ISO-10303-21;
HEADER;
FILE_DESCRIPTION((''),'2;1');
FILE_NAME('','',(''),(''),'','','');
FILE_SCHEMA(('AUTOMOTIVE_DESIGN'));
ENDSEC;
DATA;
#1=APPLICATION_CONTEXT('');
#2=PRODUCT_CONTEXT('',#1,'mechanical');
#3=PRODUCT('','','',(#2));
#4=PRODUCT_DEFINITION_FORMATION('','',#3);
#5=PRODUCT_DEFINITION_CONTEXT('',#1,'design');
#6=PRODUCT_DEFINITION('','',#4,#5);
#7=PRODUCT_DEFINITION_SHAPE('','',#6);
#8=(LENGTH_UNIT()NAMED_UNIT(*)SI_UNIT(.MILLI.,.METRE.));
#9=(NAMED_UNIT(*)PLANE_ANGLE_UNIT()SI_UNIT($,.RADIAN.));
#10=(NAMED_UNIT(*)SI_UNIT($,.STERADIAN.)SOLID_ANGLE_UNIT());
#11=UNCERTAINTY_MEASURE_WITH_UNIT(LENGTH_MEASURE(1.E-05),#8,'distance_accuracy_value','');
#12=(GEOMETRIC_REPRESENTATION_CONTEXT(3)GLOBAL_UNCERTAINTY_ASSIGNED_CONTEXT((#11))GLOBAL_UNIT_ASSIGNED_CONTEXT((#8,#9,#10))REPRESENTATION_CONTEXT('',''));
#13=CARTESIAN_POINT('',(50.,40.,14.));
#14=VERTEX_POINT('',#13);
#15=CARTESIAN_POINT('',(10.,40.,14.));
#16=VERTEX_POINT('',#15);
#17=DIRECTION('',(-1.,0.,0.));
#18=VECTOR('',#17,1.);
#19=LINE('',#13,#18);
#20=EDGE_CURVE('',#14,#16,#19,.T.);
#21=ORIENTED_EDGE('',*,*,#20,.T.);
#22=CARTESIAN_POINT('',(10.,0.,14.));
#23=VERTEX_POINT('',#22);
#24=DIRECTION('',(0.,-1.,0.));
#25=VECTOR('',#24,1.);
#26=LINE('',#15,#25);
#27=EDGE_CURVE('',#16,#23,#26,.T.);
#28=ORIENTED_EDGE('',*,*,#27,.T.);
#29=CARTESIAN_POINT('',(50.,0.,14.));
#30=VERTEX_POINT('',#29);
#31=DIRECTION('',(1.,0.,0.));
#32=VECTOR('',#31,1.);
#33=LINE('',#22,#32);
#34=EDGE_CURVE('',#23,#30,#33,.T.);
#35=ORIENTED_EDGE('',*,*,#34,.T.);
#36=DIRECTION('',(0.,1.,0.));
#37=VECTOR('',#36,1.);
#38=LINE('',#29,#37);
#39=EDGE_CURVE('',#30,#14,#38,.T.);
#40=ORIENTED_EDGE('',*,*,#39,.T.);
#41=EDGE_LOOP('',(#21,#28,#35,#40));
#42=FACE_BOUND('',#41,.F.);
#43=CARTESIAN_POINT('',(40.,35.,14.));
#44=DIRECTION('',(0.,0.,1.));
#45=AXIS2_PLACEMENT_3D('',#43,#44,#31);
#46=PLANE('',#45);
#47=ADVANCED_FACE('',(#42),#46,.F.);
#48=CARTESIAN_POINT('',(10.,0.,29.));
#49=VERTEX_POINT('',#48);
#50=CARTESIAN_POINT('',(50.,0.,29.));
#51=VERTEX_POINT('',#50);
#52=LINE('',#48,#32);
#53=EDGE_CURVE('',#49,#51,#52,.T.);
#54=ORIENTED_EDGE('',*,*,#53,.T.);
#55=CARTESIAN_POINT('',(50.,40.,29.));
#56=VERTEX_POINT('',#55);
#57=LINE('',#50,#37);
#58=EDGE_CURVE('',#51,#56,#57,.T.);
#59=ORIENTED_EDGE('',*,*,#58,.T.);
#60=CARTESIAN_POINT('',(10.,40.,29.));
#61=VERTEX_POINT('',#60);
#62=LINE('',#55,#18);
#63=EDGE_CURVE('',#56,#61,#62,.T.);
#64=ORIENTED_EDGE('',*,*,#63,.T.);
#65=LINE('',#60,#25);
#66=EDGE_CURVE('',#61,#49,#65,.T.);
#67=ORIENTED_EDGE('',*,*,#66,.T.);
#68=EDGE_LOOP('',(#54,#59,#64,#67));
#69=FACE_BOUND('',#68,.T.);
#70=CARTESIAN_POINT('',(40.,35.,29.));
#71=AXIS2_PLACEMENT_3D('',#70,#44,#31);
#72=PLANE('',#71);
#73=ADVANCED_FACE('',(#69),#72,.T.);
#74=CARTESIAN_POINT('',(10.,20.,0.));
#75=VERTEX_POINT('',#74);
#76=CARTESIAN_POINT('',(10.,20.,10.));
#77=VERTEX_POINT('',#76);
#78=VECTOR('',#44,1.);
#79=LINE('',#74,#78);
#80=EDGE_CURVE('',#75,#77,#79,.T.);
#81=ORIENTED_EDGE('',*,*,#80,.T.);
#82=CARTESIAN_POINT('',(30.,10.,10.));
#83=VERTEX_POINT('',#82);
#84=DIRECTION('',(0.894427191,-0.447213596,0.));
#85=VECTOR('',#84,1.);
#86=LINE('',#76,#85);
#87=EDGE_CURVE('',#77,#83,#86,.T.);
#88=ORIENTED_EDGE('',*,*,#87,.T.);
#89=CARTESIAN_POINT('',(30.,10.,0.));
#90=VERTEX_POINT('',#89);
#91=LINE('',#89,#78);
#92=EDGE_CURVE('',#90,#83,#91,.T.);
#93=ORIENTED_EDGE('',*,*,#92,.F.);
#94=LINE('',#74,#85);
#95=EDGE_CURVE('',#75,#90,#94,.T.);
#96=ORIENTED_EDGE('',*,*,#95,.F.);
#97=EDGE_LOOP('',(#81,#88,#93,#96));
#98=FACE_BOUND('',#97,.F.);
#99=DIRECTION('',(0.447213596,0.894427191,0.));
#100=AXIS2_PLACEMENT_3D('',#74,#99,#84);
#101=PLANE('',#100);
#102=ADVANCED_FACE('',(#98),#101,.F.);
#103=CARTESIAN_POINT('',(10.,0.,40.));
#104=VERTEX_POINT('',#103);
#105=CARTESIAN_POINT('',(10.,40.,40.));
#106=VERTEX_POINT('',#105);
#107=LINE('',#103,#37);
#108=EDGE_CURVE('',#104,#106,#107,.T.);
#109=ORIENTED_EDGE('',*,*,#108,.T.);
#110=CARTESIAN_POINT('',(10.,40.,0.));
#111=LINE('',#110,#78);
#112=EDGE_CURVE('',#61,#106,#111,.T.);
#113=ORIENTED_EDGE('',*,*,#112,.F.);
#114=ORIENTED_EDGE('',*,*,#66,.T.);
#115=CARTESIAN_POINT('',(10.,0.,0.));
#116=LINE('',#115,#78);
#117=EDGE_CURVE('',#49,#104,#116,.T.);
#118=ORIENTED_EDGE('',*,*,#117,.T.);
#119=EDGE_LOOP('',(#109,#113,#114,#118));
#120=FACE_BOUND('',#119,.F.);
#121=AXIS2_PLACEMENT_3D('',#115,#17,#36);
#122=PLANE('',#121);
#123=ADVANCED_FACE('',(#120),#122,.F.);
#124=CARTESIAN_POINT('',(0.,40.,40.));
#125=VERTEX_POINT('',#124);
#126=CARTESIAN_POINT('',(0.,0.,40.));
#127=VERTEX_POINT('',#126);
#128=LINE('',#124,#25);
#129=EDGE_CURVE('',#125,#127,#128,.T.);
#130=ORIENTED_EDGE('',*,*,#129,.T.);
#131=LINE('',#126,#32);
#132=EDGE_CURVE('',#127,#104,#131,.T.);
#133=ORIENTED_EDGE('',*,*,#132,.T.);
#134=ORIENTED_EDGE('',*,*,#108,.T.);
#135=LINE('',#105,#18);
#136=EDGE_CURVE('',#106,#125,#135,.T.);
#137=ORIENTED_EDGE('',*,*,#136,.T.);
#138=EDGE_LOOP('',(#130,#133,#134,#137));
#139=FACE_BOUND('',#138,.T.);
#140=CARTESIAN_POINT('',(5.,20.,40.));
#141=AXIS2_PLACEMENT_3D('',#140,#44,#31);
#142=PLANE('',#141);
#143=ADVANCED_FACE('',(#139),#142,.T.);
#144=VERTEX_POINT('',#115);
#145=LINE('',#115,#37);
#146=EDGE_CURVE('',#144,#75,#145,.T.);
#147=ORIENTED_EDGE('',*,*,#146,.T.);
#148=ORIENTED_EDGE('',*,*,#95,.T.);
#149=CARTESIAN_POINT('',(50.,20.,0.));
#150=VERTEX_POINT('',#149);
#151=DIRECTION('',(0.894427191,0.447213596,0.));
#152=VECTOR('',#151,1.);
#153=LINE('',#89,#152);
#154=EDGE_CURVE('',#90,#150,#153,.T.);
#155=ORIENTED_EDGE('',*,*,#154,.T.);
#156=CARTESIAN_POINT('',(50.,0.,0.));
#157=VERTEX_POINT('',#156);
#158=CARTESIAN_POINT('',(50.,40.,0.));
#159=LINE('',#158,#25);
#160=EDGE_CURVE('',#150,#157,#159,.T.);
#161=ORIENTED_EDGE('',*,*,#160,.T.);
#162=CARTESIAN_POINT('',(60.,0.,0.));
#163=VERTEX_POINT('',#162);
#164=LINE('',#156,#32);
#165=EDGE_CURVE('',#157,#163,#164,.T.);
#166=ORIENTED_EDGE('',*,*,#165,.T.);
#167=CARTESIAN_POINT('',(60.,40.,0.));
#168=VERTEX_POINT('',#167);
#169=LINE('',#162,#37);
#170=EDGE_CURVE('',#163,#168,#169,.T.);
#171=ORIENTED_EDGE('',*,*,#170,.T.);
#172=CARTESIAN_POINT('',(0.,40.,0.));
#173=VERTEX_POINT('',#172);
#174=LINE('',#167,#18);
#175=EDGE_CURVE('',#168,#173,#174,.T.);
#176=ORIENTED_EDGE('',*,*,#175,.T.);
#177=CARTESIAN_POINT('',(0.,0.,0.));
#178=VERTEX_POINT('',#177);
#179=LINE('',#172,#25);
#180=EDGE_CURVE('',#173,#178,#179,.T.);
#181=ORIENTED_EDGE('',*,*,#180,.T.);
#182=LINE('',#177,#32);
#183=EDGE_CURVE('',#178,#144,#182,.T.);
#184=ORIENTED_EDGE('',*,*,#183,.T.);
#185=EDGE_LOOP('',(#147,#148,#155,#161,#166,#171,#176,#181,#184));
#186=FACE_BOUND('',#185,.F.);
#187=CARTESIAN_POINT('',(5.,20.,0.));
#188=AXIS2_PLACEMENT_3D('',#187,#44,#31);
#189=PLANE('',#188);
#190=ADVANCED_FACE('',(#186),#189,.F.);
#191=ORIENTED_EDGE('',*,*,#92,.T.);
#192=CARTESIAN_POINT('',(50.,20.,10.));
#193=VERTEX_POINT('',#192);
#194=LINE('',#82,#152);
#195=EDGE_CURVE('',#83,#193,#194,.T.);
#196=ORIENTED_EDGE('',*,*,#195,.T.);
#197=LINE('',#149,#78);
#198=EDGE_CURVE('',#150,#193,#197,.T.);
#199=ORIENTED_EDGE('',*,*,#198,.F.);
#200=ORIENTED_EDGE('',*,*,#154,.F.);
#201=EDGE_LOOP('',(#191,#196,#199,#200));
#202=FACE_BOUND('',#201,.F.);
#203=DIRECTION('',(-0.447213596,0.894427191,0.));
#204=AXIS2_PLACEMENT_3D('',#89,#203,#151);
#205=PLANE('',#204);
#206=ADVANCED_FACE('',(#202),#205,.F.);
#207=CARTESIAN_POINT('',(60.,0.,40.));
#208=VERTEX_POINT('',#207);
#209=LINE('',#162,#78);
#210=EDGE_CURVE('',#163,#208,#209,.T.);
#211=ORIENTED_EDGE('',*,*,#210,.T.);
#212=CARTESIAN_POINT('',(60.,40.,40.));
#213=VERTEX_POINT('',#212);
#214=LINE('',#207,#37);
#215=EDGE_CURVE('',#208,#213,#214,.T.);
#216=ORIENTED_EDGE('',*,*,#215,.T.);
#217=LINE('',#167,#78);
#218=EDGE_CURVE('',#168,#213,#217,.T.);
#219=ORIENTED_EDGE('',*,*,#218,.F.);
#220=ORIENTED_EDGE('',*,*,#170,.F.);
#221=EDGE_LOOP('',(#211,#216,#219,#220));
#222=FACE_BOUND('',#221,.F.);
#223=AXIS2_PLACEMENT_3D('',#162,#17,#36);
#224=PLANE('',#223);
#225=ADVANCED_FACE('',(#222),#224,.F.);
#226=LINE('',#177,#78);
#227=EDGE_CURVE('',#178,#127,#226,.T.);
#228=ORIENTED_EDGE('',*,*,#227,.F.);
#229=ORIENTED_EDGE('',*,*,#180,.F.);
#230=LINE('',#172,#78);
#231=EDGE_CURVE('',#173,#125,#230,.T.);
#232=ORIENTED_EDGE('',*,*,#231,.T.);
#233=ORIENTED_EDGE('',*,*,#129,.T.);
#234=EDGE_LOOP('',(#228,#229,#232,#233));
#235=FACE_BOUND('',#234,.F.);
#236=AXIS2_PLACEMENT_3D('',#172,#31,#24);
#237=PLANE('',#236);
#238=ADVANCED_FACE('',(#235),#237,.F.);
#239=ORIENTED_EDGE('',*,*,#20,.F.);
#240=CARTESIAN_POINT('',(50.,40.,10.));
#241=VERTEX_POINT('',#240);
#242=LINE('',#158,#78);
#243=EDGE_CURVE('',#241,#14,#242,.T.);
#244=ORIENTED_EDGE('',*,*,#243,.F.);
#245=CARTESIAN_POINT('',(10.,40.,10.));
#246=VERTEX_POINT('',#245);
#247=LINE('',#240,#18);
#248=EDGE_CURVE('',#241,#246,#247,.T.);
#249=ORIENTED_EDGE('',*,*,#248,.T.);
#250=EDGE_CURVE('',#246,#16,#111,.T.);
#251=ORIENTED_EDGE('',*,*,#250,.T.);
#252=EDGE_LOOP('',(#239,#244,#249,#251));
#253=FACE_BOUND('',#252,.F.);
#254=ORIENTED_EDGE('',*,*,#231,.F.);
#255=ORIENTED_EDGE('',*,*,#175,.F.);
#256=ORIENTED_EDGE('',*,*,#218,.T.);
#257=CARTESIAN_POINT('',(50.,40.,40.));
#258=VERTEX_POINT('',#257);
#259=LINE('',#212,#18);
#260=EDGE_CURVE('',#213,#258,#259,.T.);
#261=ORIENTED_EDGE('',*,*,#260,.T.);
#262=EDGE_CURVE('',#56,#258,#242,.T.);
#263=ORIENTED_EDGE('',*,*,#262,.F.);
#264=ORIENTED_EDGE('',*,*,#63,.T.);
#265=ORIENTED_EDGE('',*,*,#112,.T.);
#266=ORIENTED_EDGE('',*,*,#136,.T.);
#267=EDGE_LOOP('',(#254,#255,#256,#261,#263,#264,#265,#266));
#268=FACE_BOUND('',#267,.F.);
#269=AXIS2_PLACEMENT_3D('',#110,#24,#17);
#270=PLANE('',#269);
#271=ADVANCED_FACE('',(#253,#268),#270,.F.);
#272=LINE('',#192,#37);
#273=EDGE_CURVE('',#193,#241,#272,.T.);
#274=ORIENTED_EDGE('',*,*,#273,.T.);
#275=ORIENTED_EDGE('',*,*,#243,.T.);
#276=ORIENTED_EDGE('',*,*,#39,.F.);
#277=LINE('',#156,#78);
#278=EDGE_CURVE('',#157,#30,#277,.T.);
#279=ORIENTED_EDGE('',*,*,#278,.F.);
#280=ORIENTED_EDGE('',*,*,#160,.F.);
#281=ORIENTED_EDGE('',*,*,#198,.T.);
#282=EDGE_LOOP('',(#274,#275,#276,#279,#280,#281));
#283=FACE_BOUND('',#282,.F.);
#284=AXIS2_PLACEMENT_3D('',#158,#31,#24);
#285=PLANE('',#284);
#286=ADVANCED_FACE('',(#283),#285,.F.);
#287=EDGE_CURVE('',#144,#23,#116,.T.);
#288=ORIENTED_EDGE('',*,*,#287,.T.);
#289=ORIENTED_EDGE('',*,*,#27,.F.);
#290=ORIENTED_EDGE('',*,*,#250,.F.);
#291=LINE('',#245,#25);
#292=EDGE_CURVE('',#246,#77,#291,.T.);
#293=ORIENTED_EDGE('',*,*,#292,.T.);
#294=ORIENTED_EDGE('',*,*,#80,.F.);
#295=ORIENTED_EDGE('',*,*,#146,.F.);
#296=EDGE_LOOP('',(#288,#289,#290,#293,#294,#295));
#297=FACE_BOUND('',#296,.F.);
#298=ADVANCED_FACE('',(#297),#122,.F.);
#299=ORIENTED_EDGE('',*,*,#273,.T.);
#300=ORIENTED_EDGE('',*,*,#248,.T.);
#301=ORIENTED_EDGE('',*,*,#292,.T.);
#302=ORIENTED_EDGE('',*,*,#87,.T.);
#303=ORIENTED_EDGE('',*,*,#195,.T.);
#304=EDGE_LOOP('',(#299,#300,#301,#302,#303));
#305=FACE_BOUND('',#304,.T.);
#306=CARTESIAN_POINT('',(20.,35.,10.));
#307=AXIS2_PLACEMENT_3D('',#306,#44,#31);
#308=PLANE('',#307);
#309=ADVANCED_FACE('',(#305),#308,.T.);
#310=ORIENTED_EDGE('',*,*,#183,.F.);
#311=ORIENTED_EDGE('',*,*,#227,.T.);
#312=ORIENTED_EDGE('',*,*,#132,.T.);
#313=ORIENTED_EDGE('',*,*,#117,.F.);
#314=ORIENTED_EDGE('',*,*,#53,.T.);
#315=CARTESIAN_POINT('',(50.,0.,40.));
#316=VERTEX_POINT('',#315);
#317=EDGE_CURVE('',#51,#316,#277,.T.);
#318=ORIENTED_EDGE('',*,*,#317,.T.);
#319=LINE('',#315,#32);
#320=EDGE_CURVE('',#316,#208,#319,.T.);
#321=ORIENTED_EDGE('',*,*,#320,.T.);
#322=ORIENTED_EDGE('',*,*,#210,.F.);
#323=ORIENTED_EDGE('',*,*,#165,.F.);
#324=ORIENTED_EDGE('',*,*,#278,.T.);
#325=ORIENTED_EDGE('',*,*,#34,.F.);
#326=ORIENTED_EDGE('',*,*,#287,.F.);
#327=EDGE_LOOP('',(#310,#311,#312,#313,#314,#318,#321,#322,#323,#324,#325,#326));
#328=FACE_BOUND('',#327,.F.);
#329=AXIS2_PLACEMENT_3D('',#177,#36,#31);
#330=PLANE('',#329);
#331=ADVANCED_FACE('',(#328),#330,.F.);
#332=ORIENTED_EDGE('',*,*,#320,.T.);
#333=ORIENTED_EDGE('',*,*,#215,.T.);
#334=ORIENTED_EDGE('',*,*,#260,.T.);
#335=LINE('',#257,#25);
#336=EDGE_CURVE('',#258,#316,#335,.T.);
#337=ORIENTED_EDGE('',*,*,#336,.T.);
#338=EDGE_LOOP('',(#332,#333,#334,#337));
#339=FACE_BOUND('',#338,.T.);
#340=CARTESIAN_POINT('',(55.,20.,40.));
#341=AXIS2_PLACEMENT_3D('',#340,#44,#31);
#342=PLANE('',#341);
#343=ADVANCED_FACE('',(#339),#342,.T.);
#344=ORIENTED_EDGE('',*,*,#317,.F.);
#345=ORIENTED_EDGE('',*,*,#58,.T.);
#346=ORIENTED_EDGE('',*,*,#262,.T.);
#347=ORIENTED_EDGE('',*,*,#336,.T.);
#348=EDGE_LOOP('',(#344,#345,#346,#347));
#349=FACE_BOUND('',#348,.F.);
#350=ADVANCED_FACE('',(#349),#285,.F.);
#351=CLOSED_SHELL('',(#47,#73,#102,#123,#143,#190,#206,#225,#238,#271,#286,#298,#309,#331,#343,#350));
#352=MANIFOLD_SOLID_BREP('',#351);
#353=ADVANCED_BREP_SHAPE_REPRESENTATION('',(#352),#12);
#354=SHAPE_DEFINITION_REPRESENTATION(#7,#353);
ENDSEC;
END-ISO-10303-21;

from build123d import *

# Parameters (mm, degrees)
F0_W     = 20
F0_H     = 10
F1_DEPTH = 10
F2_DEPTH = 40
F3_START = 14
F3_DEPTH = 15


with BuildPart() as f1:
    # F0 (on Top) → F1 (new body)
    with BuildSketch(Plane.XY):
        with Locations((20, 35)):
            Rectangle(F0_W, F0_H)
        with Locations((40, 35)):
            Rectangle(F0_W, F0_H)
        with Locations((40, 25)):
            Rectangle(F0_W, F0_H)
        with Locations((20, 25)):
            Rectangle(F0_W, F0_H)
        Polygon((10, 20), (30, 10), (30, 20), align=None)
        Polygon((30, 20), (30, 10), (50, 20), align=None)
    extrude(amount=F1_DEPTH)

    # F0 (on Top) → F2 (join)
    with BuildSketch(Plane.XY):
        Polygon((0, 40), (0, 0), (10, 0), (10, 10), (10, 20), (10, 30), (10, 40), align=None)
        Polygon((50, 10), (50, 0), (60, 0), (60, 40), (50, 40), (50, 30), (50, 20), align=None)
    extrude(amount=F2_DEPTH)

    # F0 (on Top) → F3 (join)
    with BuildSketch(Plane.XY.offset(F3_START)):
        with Locations((40, 35)):
            Rectangle(F0_W, F0_H)
        with Locations((20, 35)):
            Rectangle(F0_W, F0_H)
        with Locations((20, 25)):
            Rectangle(F0_W, F0_H)
        with Locations((40, 25)):
            Rectangle(F0_W, F0_H)
        Polygon((10, 20), (30, 10), (30, 20), align=None)
        Polygon((30, 20), (30, 10), (50, 20), align=None)
        with Locations((40, 5)):
            Rectangle(F0_W, F0_H)
        with Locations((20, 5)):
            Rectangle(F0_W, F0_H)
        Polygon((10, 20), (10, 10), (30, 10), align=None)
        Polygon((50, 20), (30, 10), (50, 10), align=None)
    extrude(amount=F3_DEPTH)


solid = f1.part
